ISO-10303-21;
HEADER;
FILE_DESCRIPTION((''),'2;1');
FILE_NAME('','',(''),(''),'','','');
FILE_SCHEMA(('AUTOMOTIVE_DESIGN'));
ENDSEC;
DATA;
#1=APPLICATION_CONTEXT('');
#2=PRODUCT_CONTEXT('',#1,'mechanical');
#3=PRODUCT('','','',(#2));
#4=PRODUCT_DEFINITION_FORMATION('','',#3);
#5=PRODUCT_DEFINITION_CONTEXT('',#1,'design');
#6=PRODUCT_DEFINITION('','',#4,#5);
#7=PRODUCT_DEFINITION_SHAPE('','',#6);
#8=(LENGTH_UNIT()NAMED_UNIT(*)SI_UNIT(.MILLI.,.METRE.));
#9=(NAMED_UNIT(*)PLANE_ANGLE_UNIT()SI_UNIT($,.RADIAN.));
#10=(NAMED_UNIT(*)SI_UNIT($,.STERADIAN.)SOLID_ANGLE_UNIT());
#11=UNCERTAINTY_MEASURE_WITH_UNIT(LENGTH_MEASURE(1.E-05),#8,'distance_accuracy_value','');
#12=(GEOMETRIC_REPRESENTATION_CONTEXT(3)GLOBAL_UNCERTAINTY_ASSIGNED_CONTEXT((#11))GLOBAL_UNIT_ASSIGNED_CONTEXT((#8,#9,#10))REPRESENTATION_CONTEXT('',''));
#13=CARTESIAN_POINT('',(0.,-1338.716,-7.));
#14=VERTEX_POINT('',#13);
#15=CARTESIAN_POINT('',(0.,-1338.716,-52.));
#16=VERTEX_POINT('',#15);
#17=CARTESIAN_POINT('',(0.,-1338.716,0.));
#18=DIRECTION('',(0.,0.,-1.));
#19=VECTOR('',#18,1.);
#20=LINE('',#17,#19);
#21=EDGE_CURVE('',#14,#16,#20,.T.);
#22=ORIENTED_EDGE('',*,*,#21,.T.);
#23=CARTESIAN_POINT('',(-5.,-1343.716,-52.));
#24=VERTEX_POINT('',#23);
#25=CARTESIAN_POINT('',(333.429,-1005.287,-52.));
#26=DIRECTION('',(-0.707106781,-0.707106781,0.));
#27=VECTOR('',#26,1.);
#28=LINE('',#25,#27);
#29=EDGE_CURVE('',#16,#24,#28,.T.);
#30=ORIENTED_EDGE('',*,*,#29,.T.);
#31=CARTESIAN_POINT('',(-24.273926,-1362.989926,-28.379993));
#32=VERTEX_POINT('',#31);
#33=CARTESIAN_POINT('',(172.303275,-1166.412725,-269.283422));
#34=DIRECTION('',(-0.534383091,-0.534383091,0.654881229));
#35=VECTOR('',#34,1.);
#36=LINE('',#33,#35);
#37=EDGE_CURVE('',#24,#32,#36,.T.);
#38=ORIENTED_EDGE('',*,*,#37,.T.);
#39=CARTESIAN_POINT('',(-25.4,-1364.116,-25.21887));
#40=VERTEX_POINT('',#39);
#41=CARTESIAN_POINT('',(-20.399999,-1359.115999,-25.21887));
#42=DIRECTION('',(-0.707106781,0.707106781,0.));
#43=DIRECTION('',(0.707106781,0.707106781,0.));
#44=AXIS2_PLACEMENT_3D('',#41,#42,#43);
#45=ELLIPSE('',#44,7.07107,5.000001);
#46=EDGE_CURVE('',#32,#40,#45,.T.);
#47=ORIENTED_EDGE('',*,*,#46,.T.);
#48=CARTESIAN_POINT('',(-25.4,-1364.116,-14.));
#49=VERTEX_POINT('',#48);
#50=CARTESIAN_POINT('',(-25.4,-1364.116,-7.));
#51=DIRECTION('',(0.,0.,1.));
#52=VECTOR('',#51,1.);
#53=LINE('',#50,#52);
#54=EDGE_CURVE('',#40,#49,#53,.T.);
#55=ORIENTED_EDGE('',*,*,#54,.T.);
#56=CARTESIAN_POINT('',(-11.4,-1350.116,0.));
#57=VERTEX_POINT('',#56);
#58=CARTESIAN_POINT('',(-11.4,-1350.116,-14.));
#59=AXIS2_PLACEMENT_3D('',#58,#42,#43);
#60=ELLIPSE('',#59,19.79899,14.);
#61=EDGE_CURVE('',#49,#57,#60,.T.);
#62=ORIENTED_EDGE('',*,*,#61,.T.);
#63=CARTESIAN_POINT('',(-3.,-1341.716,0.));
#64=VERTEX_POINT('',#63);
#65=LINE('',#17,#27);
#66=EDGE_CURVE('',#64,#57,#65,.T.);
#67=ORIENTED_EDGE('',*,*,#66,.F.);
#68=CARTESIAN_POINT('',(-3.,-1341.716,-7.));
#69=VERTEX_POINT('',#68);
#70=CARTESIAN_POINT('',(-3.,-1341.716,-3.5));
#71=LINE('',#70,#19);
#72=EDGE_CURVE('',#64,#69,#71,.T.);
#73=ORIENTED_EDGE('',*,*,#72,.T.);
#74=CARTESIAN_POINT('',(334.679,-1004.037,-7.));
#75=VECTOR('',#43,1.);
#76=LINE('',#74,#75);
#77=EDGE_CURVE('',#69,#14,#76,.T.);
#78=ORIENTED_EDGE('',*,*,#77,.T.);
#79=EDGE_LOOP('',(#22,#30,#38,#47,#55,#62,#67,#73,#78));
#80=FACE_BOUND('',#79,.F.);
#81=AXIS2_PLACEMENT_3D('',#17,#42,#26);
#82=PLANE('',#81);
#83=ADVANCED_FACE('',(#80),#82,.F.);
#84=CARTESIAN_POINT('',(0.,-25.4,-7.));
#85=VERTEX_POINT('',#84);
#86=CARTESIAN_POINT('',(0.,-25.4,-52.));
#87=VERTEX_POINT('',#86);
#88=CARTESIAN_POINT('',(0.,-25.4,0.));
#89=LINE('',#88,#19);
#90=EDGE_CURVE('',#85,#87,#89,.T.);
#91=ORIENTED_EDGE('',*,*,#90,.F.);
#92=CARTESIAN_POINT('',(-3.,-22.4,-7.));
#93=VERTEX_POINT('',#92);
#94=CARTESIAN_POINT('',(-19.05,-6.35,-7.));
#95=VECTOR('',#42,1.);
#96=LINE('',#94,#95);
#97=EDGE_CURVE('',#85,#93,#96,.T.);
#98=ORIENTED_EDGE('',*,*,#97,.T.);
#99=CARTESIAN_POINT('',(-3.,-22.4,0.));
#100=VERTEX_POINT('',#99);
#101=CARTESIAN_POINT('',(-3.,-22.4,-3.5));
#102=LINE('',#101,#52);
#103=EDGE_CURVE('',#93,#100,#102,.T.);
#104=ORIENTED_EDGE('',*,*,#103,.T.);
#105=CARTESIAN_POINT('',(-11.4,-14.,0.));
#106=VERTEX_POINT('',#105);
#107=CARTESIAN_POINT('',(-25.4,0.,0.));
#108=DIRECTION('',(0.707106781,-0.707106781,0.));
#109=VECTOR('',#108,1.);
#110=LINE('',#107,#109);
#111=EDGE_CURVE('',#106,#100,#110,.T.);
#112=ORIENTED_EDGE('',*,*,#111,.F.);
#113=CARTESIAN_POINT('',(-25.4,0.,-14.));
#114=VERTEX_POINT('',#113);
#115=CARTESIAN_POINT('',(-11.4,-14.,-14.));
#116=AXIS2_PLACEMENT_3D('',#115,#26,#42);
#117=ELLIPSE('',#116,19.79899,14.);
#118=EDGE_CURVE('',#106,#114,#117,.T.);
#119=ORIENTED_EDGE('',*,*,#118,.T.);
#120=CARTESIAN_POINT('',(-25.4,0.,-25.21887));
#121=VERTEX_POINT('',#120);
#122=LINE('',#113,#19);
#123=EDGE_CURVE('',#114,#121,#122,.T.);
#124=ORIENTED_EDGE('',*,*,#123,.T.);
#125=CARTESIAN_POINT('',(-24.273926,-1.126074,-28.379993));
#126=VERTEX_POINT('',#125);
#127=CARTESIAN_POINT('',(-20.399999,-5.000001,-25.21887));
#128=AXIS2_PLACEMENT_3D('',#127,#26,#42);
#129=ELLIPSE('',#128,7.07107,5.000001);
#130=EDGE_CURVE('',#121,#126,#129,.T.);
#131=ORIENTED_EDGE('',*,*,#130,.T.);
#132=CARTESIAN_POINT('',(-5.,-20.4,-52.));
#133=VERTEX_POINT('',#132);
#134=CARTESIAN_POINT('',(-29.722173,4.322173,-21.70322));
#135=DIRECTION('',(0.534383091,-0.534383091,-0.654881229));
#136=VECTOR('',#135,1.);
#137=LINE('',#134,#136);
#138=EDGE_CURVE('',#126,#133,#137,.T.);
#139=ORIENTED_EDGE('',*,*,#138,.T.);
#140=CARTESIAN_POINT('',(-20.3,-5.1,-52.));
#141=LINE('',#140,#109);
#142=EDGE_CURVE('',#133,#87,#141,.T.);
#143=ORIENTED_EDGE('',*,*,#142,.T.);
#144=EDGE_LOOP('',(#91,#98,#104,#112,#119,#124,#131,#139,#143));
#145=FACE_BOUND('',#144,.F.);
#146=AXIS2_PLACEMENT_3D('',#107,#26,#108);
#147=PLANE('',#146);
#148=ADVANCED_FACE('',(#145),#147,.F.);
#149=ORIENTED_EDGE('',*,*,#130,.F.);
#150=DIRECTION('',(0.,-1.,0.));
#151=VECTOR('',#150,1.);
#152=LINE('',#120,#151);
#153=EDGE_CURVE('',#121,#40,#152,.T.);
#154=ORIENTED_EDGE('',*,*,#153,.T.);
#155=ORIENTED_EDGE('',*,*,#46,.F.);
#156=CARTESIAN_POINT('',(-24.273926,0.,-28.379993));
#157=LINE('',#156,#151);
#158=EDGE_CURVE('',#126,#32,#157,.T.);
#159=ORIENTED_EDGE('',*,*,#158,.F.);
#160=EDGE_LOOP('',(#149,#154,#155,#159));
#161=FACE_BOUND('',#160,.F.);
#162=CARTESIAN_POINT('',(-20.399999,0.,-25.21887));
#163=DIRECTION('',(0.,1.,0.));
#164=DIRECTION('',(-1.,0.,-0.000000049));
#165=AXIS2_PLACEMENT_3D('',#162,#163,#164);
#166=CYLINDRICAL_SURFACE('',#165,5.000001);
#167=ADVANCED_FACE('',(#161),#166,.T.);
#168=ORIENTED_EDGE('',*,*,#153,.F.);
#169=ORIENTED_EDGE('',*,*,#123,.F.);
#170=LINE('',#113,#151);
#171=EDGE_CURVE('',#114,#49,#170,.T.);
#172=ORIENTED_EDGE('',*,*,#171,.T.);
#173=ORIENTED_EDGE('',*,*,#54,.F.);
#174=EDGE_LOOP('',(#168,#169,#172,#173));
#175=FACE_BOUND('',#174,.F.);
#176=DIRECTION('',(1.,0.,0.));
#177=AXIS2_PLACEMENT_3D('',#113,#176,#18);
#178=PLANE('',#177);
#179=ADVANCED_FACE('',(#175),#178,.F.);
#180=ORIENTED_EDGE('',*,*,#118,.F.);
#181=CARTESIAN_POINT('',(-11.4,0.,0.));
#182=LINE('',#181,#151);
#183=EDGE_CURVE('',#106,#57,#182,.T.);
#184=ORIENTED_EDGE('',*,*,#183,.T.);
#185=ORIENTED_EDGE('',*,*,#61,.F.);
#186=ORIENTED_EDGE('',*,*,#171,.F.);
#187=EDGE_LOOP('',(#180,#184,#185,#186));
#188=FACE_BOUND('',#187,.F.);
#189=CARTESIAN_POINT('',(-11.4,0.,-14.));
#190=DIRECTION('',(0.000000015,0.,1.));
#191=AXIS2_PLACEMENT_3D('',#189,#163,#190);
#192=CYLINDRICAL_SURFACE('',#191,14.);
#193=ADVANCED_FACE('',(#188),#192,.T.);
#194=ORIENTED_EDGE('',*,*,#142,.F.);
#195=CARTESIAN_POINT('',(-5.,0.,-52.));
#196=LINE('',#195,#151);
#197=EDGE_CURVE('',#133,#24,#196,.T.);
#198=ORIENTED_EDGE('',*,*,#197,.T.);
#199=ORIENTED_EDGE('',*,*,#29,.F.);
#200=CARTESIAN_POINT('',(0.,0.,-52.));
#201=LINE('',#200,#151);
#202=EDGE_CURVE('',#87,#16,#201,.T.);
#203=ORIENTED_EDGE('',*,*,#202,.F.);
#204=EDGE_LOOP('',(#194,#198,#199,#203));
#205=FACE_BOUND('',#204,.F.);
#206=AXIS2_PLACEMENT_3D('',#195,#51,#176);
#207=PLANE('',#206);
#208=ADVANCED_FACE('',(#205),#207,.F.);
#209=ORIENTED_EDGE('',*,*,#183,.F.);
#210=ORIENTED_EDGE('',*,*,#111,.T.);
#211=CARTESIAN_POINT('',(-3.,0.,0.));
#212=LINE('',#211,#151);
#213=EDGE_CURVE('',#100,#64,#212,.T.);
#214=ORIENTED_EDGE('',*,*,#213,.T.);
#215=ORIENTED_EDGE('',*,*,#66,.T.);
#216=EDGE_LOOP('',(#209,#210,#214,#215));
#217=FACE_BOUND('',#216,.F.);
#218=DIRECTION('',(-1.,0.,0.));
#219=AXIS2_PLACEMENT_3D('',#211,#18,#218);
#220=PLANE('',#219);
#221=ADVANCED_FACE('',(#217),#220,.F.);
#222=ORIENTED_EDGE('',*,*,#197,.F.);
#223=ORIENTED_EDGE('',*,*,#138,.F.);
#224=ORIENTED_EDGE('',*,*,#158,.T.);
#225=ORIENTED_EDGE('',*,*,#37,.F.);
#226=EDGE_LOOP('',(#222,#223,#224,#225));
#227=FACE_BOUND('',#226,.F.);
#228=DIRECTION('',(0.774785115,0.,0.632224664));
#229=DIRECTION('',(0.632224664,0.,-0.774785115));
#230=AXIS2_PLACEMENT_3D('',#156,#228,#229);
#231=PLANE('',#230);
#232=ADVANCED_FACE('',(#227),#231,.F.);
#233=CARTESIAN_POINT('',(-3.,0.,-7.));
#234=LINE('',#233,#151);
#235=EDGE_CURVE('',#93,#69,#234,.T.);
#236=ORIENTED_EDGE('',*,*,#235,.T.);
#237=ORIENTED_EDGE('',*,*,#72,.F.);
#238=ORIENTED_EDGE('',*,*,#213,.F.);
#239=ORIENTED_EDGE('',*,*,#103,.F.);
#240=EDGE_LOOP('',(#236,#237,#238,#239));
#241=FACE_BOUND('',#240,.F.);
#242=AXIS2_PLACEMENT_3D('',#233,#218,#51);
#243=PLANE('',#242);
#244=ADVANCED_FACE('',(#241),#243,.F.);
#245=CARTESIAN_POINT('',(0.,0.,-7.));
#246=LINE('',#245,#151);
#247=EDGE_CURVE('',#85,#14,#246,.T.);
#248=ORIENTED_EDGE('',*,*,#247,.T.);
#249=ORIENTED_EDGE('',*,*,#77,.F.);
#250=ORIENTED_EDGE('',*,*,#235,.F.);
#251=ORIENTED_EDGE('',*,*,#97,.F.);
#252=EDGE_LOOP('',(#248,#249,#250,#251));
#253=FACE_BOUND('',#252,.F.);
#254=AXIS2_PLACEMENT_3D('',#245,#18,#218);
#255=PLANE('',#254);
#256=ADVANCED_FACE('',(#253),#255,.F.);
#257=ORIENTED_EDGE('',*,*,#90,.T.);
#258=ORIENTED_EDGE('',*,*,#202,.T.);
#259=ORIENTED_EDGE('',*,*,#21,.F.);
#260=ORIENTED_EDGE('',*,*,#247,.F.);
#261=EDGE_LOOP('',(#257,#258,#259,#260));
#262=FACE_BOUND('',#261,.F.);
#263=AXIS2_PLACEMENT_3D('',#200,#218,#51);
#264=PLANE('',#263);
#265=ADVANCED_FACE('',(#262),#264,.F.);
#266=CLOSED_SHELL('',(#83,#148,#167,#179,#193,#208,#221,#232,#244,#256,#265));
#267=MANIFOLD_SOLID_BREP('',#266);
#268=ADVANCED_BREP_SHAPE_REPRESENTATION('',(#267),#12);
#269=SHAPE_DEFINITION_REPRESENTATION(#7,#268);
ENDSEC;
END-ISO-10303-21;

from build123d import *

# Parameters (mm, degrees)
F1_DEPTH = 1400
F3_DEPTH = 52.001


with BuildPart() as f1:
    # F0 (on Front) → F1 (new body)
    with BuildSketch(Plane.XZ):
        with BuildLine():
            Line((-3, 0), (-11.4, 0))
            ThreePointArc((-11.4, 0), (-21.299495, -4.100505), (-25.4, -14))
            Line((-25.4, -14), (-25.4, -25.21887))
            ThreePointArc((-25.4, -25.21887), (-25.110076, -26.896721), (-24.273926, -28.379993))
            Line((-24.273926, -28.379993), (-5, -52))
            Line((-5, -52), (0, -52))
            Line((0, -52), (0, -7))
            Line((0, -7), (-3, -7))
            Line((-3, -7), (-3, 0))
        make_face()
    extrude(amount=F1_DEPTH)

    # F2 (on face) → F3 (cut, through all)
    with BuildSketch(Plane.XY):
        Polygon((-25.4, 2.43225), (-25.4, 0), (0, -25.4), (0, 0), (2.469288, 2.43225), align=None)
        Polygon((12.007684, -1377.653718), (0, -1338.716), (-53.200086, -1391.916086), (5.710082, -1417.377114), align=None)
    extrude(amount=-F3_DEPTH, mode=Mode.SUBTRACT)


solid = f1.part
